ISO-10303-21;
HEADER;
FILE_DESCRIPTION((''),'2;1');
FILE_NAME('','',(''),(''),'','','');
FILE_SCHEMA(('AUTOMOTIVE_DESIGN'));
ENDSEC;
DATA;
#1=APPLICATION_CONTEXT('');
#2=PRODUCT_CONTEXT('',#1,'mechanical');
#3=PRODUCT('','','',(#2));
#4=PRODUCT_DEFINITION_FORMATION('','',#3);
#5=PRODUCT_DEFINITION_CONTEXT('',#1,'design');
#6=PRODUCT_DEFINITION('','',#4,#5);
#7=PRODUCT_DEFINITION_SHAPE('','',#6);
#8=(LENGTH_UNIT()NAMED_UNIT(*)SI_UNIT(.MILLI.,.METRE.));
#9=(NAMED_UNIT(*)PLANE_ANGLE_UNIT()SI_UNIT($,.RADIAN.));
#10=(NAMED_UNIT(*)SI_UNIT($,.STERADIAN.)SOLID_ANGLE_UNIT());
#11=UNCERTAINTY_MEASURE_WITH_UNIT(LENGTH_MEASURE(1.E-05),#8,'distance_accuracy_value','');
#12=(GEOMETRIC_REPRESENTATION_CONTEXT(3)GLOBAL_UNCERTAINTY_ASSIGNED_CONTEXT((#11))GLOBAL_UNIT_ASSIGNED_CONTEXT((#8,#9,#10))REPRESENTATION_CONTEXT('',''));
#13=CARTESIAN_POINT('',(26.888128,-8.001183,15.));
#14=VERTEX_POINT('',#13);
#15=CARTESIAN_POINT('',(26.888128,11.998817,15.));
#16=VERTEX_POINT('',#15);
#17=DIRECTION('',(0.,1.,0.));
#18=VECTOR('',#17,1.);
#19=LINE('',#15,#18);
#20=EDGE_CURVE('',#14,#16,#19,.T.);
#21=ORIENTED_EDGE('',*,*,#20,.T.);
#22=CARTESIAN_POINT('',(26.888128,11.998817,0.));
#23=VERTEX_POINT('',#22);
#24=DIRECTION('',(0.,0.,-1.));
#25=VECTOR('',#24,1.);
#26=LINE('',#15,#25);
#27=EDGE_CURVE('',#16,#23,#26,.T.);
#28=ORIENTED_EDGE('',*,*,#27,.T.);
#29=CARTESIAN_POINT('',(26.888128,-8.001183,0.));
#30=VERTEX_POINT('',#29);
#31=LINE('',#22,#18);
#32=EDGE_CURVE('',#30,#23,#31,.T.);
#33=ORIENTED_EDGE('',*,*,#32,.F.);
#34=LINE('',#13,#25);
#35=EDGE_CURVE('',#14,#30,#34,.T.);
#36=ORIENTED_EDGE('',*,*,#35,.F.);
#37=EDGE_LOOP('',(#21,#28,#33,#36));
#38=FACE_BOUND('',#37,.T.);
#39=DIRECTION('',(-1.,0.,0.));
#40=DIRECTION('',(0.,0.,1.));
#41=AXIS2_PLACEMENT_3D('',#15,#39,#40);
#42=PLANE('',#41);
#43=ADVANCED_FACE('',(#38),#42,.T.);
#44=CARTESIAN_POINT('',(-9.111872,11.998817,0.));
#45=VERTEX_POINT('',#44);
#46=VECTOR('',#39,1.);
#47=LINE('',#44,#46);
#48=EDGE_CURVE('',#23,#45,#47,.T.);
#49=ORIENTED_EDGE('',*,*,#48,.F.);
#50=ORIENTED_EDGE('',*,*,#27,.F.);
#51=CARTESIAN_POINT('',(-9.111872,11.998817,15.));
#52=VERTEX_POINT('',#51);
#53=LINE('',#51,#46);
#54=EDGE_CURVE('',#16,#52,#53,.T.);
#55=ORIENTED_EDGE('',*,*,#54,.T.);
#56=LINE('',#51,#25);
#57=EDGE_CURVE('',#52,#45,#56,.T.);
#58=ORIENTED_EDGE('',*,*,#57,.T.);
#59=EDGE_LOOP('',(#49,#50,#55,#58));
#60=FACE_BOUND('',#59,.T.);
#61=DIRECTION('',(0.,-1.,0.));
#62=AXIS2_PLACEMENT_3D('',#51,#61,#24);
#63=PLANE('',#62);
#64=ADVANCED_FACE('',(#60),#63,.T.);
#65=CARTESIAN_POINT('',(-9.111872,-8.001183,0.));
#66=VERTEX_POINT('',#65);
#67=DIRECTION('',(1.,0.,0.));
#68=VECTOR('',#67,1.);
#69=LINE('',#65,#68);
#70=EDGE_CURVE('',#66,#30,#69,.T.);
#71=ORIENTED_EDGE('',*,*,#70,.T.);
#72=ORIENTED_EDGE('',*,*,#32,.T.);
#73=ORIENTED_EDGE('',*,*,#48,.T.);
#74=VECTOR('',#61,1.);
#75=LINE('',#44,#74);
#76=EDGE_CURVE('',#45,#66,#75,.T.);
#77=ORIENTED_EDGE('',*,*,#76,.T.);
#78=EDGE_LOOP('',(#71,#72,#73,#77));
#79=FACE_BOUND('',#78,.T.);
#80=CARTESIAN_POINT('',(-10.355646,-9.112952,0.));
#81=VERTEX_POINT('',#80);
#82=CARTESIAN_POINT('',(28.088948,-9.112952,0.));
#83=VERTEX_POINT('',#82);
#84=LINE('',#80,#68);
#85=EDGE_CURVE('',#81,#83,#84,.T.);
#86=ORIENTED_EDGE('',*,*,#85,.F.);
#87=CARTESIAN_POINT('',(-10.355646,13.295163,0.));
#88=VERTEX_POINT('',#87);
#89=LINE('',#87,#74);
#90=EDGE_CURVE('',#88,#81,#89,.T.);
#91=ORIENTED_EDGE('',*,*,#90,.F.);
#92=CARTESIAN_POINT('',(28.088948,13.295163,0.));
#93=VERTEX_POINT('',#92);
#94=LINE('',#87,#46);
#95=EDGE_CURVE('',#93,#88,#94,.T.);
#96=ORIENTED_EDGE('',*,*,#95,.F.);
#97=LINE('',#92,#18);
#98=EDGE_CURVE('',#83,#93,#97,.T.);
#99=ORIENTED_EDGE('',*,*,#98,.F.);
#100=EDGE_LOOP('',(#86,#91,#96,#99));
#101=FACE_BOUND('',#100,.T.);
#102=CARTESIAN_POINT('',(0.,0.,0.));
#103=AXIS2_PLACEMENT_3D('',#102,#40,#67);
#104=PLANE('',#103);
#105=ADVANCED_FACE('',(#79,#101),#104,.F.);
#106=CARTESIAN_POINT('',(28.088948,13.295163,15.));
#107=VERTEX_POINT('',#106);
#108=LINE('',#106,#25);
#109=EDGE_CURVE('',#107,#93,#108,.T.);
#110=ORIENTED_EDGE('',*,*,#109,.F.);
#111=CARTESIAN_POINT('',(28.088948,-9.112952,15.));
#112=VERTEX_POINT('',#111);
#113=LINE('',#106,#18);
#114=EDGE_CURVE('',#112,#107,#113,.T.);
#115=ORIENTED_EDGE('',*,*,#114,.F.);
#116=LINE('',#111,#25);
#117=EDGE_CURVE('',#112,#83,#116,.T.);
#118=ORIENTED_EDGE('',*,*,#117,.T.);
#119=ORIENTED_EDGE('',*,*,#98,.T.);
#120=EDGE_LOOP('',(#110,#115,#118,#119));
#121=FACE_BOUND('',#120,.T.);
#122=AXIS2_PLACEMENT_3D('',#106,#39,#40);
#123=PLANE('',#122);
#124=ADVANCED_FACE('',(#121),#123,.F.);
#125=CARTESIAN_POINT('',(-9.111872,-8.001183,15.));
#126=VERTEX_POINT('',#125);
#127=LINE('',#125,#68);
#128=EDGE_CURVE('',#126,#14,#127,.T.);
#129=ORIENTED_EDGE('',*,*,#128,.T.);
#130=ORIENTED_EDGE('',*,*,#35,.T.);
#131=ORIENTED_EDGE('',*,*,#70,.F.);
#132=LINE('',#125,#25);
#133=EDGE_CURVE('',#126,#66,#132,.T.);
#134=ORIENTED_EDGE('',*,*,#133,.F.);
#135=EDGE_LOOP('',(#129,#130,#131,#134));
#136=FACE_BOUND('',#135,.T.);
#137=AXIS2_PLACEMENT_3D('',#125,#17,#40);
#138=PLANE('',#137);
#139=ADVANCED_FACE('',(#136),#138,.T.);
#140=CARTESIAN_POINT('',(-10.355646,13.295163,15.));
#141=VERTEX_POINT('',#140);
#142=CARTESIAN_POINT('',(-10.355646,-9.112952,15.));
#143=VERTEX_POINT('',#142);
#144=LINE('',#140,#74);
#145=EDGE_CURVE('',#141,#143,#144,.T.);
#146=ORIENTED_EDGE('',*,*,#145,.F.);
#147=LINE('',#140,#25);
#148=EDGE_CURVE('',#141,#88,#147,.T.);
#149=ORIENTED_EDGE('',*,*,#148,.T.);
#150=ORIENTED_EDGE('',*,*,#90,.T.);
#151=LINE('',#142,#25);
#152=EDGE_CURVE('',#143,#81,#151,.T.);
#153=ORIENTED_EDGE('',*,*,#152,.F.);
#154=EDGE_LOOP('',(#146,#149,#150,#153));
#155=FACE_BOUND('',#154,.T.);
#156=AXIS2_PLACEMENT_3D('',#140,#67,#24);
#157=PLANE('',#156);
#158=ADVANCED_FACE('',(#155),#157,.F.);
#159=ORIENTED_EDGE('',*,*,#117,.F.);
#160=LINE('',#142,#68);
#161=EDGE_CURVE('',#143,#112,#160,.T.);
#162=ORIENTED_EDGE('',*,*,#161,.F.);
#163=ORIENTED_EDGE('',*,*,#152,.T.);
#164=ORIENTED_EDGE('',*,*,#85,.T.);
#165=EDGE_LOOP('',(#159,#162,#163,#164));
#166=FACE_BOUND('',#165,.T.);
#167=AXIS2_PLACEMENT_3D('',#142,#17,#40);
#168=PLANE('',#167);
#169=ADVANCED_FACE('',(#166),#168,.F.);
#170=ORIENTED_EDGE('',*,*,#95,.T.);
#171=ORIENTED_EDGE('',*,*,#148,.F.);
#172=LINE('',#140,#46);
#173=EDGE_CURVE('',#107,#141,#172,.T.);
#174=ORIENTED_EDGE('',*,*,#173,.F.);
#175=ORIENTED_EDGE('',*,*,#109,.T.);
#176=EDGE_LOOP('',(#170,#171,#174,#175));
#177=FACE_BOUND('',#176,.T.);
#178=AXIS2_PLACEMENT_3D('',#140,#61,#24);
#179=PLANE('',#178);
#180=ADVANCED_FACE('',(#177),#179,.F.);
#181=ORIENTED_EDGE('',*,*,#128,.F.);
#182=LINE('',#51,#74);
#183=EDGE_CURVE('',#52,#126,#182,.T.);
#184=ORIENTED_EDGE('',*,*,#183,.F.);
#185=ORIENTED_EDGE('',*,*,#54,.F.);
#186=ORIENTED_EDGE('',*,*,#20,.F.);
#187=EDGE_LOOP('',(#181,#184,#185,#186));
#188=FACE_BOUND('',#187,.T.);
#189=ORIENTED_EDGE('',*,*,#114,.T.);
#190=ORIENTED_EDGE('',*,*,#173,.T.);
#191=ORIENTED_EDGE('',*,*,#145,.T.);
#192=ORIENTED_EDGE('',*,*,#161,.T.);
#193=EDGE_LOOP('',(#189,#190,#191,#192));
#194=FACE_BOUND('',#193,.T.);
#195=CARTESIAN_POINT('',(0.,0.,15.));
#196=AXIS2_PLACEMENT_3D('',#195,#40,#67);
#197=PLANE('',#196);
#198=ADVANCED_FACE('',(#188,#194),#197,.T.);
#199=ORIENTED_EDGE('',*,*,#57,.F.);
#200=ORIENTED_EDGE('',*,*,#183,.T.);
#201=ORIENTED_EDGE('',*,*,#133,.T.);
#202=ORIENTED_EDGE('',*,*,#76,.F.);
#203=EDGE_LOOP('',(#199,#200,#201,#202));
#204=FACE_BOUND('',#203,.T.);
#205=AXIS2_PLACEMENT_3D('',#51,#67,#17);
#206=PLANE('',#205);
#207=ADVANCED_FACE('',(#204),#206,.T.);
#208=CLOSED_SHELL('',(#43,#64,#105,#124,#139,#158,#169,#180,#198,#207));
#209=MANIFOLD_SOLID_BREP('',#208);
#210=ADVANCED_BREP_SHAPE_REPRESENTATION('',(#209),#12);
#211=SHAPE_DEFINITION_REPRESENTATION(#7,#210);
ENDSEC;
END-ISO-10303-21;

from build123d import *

# Parameters (mm, degrees)
SKETCH1_W           = 38.444593688
SKETCH1_H           = 22.408115129
SKETCH1_W_2         = 36
SKETCH1_H_2         = 20
BOSS_EXTRUDE4_DEPTH = 15


with BuildPart() as part:
    # Sketch1 → Boss-Extrude4 (new body)
    with BuildSketch(Plane.XY):
        with Locations((8.866651169, 2.091105506)):
            Rectangle(SKETCH1_W, SKETCH1_H)
        with Locations((8.888128108, 1.99881672)):
            Rectangle(SKETCH1_W_2, SKETCH1_H_2, mode=Mode.SUBTRACT)
    extrude(amount=BOSS_EXTRUDE4_DEPTH)


solid = part.part
